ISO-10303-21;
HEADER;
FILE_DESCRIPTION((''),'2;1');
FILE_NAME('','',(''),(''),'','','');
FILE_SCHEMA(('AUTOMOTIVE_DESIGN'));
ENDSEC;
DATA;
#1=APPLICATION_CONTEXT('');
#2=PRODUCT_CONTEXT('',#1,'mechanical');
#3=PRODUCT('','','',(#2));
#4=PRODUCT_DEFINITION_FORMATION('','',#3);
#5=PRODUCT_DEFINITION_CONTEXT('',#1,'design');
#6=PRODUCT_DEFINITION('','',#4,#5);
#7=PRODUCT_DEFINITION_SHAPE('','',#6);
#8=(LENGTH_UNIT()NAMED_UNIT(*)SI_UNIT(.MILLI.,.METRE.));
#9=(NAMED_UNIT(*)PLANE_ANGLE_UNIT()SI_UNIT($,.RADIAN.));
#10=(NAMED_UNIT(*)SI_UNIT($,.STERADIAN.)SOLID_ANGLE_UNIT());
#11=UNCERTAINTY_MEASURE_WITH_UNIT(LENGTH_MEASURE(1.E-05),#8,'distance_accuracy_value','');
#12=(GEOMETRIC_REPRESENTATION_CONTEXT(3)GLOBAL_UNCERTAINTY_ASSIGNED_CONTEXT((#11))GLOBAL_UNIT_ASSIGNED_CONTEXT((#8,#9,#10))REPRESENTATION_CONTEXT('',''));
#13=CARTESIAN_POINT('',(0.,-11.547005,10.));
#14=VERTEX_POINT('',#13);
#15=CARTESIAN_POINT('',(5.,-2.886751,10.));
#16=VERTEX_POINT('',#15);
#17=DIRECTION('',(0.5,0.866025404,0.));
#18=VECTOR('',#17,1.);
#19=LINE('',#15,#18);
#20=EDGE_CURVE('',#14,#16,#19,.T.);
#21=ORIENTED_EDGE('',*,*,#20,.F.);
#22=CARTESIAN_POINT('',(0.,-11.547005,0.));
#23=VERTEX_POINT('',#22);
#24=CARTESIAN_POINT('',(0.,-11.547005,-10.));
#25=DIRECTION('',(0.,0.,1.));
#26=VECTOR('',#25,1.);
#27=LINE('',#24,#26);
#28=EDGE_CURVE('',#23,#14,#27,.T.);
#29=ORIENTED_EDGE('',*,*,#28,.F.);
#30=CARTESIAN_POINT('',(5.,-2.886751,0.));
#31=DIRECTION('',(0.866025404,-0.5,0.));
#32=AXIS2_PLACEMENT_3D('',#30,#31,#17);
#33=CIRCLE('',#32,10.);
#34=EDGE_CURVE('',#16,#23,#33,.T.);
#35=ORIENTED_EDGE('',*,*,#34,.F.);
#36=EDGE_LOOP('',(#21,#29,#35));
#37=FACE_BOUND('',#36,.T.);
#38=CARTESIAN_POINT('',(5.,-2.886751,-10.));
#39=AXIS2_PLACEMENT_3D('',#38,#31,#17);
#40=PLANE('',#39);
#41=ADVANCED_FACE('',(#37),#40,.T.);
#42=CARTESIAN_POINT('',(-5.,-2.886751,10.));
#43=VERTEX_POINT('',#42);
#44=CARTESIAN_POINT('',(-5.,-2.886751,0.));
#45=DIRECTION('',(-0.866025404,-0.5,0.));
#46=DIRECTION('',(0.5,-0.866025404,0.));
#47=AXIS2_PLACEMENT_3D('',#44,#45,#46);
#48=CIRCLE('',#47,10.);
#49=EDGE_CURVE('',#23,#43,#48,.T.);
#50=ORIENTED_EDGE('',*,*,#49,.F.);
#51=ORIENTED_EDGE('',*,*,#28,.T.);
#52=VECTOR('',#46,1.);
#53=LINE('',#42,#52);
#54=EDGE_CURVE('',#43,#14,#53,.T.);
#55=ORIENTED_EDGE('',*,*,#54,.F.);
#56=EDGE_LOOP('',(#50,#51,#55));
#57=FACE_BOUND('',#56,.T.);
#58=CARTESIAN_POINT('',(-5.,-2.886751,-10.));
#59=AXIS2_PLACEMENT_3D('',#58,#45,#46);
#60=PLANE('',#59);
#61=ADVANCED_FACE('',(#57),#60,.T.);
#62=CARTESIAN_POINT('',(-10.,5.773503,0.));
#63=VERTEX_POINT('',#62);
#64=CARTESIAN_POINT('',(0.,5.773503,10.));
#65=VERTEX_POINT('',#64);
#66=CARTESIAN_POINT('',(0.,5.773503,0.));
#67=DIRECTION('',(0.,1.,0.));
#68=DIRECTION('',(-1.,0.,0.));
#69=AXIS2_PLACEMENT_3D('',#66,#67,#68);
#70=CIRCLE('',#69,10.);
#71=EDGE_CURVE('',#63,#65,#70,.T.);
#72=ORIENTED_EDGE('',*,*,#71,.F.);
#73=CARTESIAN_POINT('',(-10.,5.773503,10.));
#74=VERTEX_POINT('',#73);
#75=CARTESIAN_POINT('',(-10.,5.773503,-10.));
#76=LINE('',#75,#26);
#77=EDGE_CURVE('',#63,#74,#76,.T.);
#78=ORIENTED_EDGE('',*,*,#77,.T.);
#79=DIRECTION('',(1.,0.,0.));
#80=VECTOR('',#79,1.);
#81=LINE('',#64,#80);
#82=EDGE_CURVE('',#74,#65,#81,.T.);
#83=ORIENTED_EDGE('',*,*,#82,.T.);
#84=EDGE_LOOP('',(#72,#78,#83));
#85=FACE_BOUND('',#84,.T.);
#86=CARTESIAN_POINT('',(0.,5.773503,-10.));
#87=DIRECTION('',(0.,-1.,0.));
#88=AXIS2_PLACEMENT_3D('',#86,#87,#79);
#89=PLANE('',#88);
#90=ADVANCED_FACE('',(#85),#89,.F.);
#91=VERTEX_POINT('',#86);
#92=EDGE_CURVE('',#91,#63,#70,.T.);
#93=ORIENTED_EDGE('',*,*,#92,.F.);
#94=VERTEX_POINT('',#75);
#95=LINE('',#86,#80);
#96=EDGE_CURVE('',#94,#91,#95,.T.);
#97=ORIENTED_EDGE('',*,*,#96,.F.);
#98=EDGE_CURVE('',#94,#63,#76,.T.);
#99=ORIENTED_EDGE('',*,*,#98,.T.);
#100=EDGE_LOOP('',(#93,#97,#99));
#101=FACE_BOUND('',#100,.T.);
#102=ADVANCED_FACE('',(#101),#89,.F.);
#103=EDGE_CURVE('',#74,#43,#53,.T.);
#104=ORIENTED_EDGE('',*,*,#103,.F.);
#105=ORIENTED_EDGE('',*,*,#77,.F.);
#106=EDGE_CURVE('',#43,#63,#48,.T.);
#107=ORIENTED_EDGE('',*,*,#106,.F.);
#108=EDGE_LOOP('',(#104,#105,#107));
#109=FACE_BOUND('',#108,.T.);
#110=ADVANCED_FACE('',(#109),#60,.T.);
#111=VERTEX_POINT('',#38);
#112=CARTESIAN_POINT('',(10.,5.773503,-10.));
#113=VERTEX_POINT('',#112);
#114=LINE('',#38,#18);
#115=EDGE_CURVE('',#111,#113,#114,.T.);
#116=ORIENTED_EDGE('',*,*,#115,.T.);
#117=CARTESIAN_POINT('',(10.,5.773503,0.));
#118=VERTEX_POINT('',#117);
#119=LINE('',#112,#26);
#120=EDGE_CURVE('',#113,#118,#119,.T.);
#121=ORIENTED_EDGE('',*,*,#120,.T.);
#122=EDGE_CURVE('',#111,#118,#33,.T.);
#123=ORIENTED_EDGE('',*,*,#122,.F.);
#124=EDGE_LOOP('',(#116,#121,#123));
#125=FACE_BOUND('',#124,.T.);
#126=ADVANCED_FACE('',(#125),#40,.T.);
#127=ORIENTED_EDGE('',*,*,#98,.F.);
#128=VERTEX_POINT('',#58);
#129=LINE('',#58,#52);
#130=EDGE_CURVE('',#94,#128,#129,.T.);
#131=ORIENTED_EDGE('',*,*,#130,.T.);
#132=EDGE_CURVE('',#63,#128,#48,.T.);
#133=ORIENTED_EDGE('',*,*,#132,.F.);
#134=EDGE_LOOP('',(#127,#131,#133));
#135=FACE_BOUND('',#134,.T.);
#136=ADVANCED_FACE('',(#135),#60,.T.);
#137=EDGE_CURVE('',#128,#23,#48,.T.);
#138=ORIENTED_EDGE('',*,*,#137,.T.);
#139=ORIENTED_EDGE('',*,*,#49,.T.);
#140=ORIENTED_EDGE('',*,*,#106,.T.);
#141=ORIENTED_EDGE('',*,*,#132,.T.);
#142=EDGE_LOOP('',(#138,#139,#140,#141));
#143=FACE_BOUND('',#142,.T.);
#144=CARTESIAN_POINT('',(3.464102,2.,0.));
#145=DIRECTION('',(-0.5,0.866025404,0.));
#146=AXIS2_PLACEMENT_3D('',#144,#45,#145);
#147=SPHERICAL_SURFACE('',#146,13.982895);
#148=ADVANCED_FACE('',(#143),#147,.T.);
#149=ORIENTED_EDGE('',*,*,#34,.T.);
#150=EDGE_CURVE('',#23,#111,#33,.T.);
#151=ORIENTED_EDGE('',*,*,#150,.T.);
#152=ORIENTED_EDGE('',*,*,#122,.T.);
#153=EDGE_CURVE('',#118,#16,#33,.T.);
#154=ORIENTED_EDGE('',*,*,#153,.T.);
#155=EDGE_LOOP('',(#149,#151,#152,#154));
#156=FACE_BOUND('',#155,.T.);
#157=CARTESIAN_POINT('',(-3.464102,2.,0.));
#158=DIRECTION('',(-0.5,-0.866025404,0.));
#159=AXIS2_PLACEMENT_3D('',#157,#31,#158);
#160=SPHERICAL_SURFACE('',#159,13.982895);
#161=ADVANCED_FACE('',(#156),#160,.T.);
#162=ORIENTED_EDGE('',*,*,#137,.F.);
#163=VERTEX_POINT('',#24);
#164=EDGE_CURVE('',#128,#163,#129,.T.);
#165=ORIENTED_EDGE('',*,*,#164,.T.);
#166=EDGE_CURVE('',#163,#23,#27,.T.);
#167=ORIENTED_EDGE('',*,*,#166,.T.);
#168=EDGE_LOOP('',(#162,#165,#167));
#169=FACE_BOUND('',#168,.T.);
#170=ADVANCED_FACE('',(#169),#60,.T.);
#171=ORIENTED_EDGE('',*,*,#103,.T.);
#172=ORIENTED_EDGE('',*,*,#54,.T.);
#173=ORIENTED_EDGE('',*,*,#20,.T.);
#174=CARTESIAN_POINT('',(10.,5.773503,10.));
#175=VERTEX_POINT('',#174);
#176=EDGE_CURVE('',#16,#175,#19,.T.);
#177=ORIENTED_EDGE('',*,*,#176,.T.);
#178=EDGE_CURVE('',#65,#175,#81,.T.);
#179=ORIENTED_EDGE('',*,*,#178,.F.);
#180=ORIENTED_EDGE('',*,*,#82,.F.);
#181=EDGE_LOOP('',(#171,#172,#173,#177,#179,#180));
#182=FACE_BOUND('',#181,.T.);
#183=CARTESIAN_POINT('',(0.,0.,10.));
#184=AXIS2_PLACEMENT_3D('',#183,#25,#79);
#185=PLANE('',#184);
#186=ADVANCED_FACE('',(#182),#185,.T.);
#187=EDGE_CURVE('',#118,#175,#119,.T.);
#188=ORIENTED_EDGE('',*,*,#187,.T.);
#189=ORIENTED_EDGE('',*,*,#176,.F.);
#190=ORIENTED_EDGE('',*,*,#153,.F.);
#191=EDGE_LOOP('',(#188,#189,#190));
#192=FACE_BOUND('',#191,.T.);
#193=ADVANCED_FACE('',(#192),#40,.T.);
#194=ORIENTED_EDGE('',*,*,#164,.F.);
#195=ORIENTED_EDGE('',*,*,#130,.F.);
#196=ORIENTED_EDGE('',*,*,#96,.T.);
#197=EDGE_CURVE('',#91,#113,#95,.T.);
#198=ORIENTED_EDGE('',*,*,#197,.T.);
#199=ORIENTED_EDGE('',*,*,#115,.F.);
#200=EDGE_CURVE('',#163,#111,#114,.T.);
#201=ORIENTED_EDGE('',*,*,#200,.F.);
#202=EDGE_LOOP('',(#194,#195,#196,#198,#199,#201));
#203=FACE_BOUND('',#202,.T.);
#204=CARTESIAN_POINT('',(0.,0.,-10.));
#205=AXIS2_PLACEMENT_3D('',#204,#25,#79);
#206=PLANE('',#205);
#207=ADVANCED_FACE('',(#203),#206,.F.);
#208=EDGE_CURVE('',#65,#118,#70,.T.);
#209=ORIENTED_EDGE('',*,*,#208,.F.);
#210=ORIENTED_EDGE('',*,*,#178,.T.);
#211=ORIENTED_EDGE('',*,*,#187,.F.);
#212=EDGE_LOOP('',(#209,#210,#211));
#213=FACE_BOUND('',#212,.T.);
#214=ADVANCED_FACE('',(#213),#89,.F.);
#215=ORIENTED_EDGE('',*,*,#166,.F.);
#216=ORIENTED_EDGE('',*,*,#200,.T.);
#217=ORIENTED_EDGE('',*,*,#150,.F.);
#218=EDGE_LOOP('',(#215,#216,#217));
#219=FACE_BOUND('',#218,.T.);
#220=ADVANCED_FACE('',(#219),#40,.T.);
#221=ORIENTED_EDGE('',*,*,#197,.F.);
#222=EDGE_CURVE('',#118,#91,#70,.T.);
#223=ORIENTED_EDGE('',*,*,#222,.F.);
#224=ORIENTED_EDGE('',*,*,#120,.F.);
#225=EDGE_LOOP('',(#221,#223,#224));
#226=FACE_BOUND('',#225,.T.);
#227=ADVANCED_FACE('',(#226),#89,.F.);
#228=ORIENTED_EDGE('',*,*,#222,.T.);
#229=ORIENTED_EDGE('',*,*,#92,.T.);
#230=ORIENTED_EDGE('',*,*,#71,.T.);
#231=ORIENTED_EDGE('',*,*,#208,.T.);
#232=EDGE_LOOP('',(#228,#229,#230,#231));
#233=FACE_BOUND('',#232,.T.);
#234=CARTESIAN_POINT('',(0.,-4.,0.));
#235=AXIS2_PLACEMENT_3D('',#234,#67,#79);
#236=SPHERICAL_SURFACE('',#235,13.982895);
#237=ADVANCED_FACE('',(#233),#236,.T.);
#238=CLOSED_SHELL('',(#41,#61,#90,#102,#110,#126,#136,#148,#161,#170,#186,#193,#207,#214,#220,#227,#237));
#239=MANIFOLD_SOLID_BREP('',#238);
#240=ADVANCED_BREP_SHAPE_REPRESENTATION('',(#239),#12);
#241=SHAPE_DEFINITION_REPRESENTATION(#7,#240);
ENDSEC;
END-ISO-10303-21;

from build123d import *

# Parameters (mm, degrees)
BOSS_EXTRUDE1_DEPTH      = 10
BOSS_EXTRUDE1_DEPTH_BACK = 10
CIRPATTERN1_COUNT        = 3


with BuildPart() as part:
    # Sketch2 → Boss-Extrude1 (new, two sides: drawn at the far end of the back side and taken through both)
    with BuildSketch(Plane.XY.offset(-BOSS_EXTRUDE1_DEPTH_BACK)):
        Polygon((0, 5.773502692), (-10, 5.773502692), (0, -11.547005384), (10, 5.773502692), align=None)
    extrude(amount=BOSS_EXTRUDE1_DEPTH + BOSS_EXTRUDE1_DEPTH_BACK)

    # Sketch2<7> → Revolve3 (revolve)
    with BuildSketch(Plane.XY):
        with BuildLine():
            Line((0, 9.982895082), (0, 5.773502692))
            Line((0, 5.773502692), (10, 5.773502692))
            ThreePointArc((10, 5.773502692), (5.424918992, 8.887653347), (0, 9.982895082))
        make_face()
    revolve3 = revolve(axis=Axis((0, 9.982895082, 0), (0, -1, 0)))

    # CirPattern1: Revolve3 ×3 about axis
    cirpattern1_axis = Axis((0, 0, -10), (0, 0, -1))
    for i in range(1, CIRPATTERN1_COUNT):
        add(revolve3.rotate(cirpattern1_axis, i * 360 / CIRPATTERN1_COUNT))


solid = part.part
